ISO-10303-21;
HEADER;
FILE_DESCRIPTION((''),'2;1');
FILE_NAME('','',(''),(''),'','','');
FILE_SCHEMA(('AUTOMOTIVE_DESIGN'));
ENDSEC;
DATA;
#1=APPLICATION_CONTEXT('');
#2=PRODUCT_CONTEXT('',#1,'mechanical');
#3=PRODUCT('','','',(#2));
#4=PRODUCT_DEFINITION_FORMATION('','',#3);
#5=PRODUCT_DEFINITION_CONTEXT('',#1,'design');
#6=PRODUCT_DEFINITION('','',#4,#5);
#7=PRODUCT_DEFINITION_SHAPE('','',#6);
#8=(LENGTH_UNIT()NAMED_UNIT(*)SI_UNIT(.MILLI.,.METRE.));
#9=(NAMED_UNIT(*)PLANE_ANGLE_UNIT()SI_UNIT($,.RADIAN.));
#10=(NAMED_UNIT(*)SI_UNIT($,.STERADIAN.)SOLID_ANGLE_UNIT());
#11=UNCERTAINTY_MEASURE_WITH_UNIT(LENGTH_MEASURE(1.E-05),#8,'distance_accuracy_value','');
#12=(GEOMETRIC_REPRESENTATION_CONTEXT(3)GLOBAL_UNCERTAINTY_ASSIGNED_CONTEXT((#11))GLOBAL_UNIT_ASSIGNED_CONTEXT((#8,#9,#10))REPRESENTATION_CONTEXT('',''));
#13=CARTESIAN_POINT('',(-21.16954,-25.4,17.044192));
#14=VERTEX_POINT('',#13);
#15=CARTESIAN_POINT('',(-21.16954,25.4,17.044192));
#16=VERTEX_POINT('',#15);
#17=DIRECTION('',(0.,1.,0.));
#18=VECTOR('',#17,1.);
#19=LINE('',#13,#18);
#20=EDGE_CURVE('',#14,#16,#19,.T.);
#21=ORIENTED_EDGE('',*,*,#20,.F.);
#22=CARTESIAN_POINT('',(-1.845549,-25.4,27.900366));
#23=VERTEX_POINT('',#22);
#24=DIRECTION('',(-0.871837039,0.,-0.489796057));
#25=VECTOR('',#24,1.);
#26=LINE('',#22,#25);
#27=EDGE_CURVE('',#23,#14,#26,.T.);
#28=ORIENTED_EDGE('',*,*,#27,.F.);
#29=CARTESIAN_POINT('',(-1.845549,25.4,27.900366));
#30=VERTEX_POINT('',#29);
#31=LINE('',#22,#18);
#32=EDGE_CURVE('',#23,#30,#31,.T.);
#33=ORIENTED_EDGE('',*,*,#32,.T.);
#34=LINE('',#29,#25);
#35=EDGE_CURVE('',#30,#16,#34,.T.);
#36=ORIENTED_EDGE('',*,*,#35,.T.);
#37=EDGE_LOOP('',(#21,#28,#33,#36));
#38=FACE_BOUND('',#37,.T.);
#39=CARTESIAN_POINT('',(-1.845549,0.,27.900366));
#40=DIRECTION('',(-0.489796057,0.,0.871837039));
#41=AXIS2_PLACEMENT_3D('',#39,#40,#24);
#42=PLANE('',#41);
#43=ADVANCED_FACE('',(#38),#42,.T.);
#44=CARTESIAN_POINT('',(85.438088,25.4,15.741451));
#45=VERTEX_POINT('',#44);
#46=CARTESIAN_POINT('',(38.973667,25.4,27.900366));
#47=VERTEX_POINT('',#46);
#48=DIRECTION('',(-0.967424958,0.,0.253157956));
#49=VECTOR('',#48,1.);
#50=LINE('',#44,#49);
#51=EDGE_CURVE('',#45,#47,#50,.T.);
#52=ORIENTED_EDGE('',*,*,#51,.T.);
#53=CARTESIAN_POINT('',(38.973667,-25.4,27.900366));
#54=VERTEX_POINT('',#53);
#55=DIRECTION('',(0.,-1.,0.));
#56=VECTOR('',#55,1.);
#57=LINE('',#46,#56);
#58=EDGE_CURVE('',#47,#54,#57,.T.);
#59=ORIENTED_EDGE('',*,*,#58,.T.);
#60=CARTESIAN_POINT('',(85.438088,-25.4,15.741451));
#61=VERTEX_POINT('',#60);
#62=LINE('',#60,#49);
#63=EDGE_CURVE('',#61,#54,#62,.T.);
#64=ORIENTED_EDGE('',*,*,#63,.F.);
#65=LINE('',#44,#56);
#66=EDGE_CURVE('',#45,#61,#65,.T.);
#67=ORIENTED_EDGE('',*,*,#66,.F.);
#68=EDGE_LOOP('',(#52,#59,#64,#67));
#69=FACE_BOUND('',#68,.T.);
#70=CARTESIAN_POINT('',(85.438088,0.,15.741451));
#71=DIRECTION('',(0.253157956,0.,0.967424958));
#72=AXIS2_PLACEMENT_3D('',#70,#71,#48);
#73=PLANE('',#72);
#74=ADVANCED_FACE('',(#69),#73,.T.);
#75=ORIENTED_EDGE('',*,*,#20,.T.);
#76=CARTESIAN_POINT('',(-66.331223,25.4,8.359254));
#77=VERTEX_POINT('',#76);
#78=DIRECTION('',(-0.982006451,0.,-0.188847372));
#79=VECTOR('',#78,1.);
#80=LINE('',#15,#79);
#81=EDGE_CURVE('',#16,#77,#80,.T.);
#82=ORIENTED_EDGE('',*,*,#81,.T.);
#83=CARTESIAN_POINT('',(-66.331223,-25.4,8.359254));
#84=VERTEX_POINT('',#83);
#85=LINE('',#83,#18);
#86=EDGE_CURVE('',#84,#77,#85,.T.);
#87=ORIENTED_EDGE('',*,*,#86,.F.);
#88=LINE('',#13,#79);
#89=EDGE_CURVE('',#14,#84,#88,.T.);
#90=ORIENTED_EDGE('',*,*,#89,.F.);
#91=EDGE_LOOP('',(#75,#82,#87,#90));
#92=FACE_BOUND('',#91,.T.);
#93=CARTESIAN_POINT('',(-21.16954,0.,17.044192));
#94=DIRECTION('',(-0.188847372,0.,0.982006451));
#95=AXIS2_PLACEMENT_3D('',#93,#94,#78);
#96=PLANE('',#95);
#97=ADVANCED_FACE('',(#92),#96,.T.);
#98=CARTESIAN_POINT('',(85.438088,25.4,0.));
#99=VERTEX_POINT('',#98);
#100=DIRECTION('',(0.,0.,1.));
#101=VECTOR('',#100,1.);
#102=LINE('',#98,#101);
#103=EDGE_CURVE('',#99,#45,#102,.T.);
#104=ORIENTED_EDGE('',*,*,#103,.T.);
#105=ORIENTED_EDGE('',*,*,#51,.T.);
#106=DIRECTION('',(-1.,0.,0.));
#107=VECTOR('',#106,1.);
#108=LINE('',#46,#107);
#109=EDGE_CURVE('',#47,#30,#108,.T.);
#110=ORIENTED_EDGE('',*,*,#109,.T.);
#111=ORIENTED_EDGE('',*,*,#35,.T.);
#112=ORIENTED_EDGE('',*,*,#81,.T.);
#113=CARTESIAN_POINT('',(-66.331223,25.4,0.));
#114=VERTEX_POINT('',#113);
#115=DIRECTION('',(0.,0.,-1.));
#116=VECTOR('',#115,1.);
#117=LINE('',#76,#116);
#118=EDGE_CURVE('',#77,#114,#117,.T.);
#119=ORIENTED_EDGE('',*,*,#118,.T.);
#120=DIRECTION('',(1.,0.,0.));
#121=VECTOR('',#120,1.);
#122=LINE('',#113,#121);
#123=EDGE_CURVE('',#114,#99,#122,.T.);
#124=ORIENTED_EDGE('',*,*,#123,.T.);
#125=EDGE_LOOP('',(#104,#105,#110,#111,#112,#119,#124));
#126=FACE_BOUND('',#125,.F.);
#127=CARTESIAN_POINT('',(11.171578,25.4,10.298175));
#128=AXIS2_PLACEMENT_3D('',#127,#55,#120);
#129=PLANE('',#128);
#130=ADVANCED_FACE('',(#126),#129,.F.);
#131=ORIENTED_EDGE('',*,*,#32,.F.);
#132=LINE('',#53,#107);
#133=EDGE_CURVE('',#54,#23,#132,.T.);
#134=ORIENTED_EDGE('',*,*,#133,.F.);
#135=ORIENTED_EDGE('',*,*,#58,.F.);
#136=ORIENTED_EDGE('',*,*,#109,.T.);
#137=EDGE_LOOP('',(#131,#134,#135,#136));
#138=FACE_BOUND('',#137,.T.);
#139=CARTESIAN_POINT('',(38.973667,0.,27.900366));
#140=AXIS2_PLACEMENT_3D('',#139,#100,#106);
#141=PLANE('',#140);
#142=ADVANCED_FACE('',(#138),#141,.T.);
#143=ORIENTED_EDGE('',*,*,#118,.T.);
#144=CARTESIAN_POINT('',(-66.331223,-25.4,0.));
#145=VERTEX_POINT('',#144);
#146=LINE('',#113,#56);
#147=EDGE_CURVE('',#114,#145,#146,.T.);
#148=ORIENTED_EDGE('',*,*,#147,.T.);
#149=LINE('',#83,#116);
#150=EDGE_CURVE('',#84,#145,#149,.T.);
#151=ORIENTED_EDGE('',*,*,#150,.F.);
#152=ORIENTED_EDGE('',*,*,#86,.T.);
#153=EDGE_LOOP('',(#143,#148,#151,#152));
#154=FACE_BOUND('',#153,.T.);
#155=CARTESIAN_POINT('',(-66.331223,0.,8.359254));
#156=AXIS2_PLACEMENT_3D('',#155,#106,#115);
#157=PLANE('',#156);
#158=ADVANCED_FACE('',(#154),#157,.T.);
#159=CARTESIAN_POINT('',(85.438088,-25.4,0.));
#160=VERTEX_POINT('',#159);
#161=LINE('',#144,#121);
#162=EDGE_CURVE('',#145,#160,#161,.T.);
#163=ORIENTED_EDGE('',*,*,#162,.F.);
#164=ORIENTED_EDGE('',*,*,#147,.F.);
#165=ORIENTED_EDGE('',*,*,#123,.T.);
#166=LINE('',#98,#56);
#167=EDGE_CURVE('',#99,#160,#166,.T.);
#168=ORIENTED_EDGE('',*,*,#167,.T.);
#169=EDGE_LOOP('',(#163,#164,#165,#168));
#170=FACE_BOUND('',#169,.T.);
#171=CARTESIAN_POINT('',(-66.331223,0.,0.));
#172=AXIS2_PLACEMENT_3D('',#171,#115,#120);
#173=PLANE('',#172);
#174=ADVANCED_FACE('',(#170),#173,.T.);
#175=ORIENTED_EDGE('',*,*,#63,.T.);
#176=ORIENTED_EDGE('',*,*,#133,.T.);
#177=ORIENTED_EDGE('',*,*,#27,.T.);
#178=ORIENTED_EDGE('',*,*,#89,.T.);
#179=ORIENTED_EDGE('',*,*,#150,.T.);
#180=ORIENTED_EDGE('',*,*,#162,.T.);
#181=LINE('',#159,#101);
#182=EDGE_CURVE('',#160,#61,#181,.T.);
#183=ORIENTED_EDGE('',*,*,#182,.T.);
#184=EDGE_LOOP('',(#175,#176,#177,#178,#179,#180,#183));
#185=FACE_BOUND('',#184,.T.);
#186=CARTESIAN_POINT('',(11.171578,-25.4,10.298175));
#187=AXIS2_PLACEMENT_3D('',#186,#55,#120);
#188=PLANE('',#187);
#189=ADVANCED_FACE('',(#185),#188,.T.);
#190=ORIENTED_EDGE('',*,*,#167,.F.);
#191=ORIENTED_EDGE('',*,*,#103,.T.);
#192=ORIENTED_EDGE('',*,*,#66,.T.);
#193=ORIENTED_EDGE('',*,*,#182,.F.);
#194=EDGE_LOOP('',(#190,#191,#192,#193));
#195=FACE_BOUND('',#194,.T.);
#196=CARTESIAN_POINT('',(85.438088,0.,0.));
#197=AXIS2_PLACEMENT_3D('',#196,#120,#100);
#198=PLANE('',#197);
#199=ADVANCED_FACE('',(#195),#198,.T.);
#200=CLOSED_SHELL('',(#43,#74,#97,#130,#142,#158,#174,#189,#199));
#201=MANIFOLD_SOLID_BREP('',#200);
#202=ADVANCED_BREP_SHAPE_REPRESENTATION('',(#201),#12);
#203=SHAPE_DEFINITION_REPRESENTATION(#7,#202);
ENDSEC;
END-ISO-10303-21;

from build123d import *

# Parameters (mm, degrees)
F1_DEPTH      = 25.4
F1_DEPTH_BACK = 25.4


with BuildPart() as f1:
    # F0 (on Front) → F1 (new body, two sides)
    with BuildSketch(Plane.XZ) as f1_sk:
        Polygon((-66.331223, 8.359254), (-66.331223, 0), (85.438088, 0), (85.438088, 15.741451), (38.973667, 27.900366), (-1.845549, 27.900366), (-21.16954, 17.044192), align=None)
    extrude(amount=F1_DEPTH)
    extrude(f1_sk.sketch, amount=-F1_DEPTH_BACK)


solid = f1.part
